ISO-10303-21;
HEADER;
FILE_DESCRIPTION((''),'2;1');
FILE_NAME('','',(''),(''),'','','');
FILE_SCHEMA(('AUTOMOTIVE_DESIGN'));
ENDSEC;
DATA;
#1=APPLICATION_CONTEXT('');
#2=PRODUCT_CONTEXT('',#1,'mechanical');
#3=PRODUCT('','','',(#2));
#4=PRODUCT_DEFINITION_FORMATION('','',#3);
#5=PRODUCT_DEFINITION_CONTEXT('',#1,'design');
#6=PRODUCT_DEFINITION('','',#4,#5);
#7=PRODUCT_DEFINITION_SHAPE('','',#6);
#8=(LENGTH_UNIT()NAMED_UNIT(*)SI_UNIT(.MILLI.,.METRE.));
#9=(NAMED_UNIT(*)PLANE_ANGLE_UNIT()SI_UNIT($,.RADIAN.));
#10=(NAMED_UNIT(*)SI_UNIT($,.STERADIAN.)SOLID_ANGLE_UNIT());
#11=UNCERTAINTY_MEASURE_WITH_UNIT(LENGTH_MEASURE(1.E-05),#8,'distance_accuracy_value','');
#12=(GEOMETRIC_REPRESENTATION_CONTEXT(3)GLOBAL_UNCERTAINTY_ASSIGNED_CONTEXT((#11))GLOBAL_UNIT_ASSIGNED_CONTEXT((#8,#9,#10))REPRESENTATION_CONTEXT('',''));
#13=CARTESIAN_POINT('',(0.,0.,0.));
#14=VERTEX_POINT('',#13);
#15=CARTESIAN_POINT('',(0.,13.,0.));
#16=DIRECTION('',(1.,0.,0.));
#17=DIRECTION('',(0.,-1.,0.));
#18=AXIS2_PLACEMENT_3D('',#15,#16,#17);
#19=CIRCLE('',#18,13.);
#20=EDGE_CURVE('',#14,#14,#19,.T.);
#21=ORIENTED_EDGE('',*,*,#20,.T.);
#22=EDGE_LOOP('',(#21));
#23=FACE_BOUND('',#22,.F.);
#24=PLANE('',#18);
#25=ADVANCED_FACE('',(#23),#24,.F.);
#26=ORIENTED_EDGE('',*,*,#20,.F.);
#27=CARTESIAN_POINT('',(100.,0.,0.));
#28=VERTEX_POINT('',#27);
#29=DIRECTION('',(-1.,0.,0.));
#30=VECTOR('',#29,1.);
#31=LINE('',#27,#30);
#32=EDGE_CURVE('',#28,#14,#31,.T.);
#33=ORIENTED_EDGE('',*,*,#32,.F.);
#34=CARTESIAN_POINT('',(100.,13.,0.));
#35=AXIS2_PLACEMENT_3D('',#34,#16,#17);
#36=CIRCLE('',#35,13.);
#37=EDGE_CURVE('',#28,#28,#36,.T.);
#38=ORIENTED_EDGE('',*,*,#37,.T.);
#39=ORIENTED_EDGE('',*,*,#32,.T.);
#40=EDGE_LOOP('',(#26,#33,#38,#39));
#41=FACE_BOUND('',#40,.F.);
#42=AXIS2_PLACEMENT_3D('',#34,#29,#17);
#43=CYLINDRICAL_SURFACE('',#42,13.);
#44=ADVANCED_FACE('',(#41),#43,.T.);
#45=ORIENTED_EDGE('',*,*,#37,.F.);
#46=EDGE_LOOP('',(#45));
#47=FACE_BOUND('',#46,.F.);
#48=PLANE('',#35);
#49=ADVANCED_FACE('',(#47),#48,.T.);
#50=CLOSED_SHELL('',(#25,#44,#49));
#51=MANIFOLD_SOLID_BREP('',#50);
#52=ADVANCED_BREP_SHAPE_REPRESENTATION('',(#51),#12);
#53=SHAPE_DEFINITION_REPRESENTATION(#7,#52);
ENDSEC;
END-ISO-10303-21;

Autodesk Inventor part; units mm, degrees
ref_plane "YZ Plane" through (0, 0, 0) normal (1, 0, 0) x (0, 1, 0)
ref_plane "XZ Plane" through (0, 0, 0) normal (0, 1, 0) x (-1, 0, 0)
ref_plane "XY Plane" through (0, 0, 0) normal (0, 0, 1) x (1, 0, 0)
sketch "Sketch1" plane through (0, 0, 0) normal (0, 0, 1) x (1, 0, 0)
  line L0 (0, 0) -> (0, 13)
  line L1 (0, 13) -> (100, 13)
  line L2 (100, 13) -> (100, 0)
  line L3 (100, 0) -> (0, 0)
  dimension "d0" = 13
  dimension "d1" = 100
revolve "Revolution1" add sketch "Sketch1" angle 360 about axis through (0, 13, 0) along (1, 0, 0)
properties part number "TubeFormCore13mm"
